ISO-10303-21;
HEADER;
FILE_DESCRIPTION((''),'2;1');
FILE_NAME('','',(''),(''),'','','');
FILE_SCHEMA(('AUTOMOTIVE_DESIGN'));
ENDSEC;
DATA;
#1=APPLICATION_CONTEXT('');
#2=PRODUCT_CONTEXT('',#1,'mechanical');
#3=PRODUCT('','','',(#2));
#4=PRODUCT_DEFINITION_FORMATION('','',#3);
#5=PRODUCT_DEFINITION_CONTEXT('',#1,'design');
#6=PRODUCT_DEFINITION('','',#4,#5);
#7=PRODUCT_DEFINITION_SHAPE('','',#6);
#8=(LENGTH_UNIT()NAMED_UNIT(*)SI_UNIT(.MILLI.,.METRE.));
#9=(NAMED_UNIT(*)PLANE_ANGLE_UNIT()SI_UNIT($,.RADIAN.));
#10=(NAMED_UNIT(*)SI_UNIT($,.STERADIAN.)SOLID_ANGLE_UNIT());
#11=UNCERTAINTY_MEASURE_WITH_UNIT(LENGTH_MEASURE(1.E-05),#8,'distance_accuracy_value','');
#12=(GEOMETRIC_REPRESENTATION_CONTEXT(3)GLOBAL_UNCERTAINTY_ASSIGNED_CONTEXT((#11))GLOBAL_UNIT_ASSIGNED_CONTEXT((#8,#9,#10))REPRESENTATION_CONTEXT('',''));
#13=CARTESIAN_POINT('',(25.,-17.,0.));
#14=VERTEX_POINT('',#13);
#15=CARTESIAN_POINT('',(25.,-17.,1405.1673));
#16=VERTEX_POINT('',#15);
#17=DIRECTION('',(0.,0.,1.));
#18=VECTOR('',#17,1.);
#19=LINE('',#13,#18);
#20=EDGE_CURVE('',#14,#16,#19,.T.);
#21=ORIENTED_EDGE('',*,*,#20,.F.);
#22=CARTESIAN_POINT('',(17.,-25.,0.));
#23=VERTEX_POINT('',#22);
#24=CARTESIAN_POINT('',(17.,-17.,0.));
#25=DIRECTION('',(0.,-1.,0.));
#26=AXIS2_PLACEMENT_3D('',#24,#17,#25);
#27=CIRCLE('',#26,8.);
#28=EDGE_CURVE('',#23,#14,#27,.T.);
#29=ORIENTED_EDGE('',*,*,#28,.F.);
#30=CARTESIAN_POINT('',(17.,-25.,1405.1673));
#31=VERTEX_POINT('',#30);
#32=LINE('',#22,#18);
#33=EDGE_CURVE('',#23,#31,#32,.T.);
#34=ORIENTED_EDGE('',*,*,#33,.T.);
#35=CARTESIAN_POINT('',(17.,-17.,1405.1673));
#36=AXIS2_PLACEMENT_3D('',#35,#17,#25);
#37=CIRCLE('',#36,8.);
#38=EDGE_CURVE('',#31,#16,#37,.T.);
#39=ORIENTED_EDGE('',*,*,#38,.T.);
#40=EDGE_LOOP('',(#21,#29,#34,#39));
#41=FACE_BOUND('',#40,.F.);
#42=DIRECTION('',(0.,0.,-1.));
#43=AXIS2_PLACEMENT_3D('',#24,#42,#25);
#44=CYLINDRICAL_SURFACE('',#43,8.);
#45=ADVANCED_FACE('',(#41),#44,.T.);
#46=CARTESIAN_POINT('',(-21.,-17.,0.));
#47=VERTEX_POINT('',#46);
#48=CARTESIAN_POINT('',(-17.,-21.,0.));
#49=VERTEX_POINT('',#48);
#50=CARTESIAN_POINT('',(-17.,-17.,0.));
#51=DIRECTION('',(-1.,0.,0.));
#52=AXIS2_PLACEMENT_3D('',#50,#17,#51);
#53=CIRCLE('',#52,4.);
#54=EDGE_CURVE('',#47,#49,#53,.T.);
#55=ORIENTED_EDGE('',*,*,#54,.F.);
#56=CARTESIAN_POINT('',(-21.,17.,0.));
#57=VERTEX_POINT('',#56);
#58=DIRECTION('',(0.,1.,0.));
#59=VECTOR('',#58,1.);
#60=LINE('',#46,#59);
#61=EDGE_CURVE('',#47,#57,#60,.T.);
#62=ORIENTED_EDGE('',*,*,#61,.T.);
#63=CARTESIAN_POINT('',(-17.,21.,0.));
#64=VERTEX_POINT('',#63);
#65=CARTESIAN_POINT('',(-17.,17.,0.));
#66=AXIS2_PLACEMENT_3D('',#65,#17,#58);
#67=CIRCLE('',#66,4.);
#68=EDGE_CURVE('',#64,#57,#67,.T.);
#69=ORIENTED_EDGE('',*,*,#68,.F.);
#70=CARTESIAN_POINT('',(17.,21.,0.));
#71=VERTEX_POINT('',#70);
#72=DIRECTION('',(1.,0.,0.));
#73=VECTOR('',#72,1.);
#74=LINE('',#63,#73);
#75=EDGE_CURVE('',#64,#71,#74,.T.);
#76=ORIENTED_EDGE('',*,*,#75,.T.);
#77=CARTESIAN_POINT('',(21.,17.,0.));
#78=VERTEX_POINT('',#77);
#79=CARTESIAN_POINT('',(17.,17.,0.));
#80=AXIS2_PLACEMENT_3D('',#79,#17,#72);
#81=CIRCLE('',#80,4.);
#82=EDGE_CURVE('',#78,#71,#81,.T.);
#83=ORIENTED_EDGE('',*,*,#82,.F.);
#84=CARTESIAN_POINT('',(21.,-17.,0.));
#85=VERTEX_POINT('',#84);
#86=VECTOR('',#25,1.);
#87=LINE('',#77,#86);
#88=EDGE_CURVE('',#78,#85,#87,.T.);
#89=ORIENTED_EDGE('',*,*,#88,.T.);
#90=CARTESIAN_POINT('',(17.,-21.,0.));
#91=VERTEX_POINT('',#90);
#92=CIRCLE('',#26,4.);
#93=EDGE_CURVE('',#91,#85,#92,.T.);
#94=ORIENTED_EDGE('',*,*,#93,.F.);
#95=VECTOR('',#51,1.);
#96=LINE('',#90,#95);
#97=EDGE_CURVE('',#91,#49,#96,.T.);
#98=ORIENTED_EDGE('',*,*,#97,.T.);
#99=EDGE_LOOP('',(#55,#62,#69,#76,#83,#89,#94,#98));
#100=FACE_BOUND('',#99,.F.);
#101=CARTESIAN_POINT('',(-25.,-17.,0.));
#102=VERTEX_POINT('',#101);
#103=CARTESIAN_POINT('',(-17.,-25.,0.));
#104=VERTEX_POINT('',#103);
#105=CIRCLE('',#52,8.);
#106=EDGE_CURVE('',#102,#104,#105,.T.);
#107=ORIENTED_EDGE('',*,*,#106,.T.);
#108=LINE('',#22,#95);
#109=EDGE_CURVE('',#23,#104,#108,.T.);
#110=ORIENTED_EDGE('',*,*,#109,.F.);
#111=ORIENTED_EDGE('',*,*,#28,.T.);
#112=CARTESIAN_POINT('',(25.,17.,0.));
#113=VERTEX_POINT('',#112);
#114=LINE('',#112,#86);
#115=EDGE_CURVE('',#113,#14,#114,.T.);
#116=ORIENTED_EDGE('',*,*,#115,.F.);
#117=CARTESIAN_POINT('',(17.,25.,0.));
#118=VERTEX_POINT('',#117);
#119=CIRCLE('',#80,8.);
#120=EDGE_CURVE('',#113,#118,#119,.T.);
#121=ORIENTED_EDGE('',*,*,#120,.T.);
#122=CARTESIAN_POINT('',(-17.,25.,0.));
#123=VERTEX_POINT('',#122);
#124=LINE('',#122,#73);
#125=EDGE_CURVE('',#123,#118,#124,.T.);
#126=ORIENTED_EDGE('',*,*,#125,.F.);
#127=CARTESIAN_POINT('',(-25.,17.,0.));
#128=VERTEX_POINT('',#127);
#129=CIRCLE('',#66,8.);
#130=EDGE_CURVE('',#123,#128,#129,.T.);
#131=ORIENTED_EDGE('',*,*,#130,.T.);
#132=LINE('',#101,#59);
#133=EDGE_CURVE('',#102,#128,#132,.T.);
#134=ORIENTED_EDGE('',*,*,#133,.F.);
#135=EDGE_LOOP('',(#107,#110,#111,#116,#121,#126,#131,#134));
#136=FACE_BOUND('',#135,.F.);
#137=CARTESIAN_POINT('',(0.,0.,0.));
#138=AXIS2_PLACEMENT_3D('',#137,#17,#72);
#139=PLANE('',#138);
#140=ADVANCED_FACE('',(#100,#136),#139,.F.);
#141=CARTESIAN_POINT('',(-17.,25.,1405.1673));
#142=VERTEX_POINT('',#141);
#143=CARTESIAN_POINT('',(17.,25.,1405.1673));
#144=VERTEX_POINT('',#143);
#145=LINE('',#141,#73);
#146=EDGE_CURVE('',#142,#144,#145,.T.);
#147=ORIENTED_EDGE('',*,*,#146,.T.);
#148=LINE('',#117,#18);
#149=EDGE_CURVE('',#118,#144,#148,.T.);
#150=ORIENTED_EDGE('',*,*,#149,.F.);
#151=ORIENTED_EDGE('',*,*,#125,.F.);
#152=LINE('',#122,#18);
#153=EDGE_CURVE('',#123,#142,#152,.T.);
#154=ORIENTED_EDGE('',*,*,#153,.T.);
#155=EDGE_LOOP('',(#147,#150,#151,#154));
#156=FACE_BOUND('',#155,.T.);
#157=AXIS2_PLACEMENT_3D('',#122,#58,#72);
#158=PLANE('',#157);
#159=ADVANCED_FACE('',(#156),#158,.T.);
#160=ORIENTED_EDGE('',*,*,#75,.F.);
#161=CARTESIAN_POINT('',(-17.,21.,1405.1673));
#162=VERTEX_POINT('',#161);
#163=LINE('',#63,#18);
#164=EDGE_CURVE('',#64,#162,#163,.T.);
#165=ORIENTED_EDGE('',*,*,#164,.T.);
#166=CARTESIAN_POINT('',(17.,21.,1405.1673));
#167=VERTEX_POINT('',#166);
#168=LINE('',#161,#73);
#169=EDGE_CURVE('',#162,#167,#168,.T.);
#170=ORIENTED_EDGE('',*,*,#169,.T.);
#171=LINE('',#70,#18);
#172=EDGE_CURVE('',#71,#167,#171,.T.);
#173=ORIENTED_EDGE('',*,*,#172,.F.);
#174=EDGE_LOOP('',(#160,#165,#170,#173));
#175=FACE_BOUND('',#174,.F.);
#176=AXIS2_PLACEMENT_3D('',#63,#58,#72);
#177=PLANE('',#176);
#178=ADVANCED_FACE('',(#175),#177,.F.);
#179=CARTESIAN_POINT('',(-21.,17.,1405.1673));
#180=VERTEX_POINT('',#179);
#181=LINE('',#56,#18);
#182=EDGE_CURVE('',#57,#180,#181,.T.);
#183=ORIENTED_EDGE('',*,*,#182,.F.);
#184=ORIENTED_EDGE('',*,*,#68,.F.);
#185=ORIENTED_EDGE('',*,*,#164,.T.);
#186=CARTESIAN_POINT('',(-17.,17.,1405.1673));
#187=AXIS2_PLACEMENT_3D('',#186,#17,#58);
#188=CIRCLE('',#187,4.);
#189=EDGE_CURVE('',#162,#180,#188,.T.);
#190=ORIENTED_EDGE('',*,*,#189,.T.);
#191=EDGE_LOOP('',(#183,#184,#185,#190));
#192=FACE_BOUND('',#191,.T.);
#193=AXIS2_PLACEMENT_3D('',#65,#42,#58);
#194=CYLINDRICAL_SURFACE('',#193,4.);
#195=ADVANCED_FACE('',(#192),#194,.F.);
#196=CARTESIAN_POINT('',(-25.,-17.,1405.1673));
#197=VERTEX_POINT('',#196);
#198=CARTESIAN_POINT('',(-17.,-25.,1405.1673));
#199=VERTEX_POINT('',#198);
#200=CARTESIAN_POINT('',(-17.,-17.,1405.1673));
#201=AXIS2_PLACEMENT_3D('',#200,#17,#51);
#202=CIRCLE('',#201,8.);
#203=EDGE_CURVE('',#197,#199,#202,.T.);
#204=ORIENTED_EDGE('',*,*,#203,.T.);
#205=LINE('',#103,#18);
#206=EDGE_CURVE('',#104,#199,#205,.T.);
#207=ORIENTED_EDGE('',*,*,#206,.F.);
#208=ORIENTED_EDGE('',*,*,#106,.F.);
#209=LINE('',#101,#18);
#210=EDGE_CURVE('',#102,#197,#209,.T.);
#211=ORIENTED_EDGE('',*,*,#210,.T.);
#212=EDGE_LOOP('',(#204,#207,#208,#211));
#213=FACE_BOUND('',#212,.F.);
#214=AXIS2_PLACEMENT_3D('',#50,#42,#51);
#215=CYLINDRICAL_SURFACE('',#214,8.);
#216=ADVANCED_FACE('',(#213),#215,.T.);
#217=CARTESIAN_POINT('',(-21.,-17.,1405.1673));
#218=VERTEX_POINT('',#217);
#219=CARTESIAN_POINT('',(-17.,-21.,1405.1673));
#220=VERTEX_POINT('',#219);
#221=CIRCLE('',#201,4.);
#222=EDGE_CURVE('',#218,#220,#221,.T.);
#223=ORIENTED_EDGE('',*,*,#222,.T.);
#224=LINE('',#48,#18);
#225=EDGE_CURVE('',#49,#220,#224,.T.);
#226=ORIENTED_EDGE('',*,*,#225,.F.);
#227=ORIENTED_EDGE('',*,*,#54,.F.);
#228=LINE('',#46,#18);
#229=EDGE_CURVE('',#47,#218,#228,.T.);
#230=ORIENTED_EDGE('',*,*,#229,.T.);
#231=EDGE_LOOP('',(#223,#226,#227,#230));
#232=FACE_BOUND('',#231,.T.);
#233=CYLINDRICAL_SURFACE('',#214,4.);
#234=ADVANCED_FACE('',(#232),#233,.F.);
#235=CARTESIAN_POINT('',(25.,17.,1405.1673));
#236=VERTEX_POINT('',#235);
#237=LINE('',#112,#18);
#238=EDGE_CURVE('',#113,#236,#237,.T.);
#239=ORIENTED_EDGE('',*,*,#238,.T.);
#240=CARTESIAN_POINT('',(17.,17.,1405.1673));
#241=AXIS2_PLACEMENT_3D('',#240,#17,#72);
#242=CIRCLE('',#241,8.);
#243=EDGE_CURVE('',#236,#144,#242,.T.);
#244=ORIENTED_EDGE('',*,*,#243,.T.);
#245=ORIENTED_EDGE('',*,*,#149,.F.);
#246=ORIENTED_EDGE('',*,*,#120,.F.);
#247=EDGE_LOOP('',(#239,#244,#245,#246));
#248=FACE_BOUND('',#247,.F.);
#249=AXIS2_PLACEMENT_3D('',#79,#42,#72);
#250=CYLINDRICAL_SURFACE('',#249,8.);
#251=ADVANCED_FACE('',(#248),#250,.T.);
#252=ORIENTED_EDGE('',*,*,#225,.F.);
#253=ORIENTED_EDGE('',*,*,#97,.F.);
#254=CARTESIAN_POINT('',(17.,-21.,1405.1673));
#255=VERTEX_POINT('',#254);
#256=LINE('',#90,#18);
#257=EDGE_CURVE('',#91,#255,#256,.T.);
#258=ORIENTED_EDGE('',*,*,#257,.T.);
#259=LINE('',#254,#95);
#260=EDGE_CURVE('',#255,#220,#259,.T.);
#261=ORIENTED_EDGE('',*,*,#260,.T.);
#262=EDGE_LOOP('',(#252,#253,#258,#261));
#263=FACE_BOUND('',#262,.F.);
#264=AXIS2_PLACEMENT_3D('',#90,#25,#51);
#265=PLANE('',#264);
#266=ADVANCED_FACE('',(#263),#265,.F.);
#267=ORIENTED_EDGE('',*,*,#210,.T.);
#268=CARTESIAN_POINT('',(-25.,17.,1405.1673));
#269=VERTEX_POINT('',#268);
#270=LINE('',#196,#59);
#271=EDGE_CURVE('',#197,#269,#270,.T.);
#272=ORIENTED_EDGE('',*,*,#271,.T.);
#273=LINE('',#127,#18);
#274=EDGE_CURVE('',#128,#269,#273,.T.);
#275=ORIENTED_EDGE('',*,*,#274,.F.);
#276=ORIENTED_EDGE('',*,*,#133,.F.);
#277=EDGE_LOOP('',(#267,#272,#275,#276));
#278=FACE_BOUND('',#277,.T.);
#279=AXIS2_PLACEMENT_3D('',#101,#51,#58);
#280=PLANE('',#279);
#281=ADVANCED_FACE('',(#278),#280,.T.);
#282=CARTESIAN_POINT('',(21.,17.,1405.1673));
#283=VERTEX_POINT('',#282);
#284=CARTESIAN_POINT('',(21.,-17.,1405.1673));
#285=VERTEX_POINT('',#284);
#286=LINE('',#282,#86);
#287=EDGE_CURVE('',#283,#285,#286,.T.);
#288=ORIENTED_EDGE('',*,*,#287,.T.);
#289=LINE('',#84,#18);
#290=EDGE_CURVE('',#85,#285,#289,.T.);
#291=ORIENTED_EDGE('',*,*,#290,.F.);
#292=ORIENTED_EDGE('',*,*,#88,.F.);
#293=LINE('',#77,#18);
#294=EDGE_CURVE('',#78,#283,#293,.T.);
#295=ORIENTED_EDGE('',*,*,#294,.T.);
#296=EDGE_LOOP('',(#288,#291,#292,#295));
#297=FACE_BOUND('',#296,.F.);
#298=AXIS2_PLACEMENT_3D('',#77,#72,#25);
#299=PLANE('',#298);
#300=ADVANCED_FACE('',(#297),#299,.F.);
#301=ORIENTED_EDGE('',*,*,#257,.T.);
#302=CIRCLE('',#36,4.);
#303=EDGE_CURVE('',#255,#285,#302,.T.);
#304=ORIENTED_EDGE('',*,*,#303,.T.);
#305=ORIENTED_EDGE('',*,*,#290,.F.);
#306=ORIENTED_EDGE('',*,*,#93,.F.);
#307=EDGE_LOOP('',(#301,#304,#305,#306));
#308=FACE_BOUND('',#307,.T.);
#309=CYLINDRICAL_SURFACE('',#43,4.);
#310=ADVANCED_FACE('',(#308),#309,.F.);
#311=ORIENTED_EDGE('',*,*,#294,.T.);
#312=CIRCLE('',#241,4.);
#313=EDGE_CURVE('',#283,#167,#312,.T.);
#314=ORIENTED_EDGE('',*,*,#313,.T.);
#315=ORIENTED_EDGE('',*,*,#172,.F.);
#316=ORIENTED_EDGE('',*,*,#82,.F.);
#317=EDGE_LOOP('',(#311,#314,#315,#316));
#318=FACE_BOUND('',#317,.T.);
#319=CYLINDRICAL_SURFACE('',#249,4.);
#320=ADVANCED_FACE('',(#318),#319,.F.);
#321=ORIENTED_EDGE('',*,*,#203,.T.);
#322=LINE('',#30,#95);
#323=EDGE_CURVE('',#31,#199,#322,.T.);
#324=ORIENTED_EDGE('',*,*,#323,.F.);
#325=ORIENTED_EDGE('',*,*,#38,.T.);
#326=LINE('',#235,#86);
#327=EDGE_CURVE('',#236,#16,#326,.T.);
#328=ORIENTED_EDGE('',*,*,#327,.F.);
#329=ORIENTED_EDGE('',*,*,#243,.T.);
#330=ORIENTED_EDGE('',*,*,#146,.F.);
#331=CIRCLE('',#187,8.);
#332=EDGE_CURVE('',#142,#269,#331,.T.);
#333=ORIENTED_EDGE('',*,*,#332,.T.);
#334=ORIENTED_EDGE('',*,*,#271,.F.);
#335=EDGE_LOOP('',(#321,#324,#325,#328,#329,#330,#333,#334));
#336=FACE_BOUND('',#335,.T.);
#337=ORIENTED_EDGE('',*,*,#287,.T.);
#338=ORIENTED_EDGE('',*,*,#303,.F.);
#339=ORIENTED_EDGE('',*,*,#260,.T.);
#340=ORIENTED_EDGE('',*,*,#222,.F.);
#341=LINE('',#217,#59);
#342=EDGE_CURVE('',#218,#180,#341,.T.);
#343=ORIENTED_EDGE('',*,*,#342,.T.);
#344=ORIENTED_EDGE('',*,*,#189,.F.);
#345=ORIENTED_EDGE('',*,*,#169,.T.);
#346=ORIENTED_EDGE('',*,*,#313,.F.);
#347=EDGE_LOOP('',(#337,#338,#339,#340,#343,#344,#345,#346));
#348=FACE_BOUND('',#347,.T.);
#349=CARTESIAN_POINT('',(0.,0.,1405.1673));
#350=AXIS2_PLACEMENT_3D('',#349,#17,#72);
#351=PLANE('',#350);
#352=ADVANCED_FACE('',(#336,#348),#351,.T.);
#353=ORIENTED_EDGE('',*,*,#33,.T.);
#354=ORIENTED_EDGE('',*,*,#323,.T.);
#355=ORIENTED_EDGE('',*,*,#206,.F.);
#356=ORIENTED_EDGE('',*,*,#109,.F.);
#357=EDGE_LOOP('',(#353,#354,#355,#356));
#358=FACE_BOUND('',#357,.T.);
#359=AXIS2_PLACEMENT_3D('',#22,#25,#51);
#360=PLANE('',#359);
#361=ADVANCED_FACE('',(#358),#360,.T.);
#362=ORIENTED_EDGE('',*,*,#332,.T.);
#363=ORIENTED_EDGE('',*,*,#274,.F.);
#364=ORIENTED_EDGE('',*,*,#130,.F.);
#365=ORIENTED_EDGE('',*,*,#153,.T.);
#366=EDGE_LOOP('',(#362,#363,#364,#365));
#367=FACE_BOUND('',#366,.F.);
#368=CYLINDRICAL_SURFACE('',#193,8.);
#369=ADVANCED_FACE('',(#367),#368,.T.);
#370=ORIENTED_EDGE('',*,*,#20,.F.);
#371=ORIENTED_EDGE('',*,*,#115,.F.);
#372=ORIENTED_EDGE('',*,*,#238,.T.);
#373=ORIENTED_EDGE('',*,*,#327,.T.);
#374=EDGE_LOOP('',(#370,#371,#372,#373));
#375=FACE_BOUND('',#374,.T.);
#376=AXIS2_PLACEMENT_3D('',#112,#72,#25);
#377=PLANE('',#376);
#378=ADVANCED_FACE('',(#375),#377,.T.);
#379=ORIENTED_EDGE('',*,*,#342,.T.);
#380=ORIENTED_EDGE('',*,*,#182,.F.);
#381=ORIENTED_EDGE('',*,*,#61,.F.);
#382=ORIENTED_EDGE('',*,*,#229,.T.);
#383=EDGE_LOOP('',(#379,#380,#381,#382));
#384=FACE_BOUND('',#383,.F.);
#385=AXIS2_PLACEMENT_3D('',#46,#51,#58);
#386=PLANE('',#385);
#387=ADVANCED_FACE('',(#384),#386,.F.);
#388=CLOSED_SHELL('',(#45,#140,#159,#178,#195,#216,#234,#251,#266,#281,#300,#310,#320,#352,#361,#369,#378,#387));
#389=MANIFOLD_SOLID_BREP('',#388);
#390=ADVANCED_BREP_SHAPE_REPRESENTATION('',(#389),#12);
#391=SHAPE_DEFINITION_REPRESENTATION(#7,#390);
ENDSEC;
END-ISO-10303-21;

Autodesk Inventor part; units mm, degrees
ref_plane "YZ Plane" through (0, 0, 0) normal (1, 0, 0) x (0, 1, 0)
ref_plane "Start Plane" through (0, 0, 0) normal (0, 0, 1) x (1, 0, 0)
ref_plane "End Plane" through (0, 0, 1405.1673) normal (0, 0, 1) x (1, 0, 0)
sketch "Sketch" plane through (0, 0, 0) normal (0, 0, 1) x (1, 0, 0)
  line L0 (-25, -17) -> (-25, 17)
  line L1 (-17, 25) -> (17, 25)
  line L2 (25, 17) -> (25, -17)
  line L3 (17, -25) -> (-17, -25)
  arc A0 (-25, -17) -> (-17, -25) centre (-17, -17) ccw
  arc A1 (25, 17) -> (17, 25) centre (17, 17) ccw
  arc A2 (-17, 25) -> (-25, 17) centre (-17, 17) ccw
  arc A3 (17, -25) -> (25, -17) centre (17, -17) ccw
  arc A4 (-17, 21) -> (-21, 17) centre (-17, 17) ccw
  line L4 (-17, 21) -> (17, 21)
  arc A5 (21, 17) -> (17, 21) centre (17, 17) ccw
  line L5 (21, 17) -> (21, -17)
  arc A6 (17, -21) -> (21, -17) centre (17, -17) ccw
  line L6 (17, -21) -> (-17, -21)
  arc A7 (-21, -17) -> (-17, -21) centre (-17, -17) ccw
  line L7 (-21, -17) -> (-21, 17)
  line L8 (0, 37.3196) -> (0, -37.3196) construction
  line L9 (-37.3196, 0) -> (37.3196, 0) construction
  dimension "d7" = 8
  dimension "d9" = 50
  dimension "d11" = 50
  dimension "d12" = 4
  dimension "d15" = 25
  dimension "d16" = 25
extrude "Body" add sketch "Sketch" along normal up to surface (1405.1673 mm away) from surface at 0
sketch "Sketch3" plane through (0, 0, 0) normal (0, 0, 1) x (1, 0, 0)
  line L0 (0, 0) -> (10, 0)
ref_plane "Work Plane3" through (0, 0, 0) normal (0, -1, 0) x (1, 0, 0)
sketch "Sketch4" plane through (0, 0, 0) normal (0, -1, 0) x (1, 0, 0)
  line L0 (-2, 0) -> (12, 0) projected
  line L1 (-2, 1405.1673) -> (12, 1405.1673) projected
  dimension "d18" = 1405.1673
equation "\"d7\" = G_IR"
equation "\"d9\" = G_W"
equation "\"d11\" = G_H"
equation "\"d12\" = G_T"
equation "\"d15\" = 0.5 * d9"
equation "\"d16\" = 0.5 * d11"
equation "\"d3\" = G_L"
equation "\"G_W\" = 50"
equation "\"G_H\" = 50"
equation "\"G_T\" = 4"
equation "\"G_IR\" = 8"
equation "\"G_L\" = d18"
equation "\"G_OFFSET_START\" = 0"
equation "\"G_OFFSET_END\" = 0"
equation "\"d14\" = G_OFFSET_END + B_L"
equation "\"B_L\" = 1405.16734"
properties part number "ISO 4019 - 50x50x4 - 1405,17" material "Steel, Mild"
